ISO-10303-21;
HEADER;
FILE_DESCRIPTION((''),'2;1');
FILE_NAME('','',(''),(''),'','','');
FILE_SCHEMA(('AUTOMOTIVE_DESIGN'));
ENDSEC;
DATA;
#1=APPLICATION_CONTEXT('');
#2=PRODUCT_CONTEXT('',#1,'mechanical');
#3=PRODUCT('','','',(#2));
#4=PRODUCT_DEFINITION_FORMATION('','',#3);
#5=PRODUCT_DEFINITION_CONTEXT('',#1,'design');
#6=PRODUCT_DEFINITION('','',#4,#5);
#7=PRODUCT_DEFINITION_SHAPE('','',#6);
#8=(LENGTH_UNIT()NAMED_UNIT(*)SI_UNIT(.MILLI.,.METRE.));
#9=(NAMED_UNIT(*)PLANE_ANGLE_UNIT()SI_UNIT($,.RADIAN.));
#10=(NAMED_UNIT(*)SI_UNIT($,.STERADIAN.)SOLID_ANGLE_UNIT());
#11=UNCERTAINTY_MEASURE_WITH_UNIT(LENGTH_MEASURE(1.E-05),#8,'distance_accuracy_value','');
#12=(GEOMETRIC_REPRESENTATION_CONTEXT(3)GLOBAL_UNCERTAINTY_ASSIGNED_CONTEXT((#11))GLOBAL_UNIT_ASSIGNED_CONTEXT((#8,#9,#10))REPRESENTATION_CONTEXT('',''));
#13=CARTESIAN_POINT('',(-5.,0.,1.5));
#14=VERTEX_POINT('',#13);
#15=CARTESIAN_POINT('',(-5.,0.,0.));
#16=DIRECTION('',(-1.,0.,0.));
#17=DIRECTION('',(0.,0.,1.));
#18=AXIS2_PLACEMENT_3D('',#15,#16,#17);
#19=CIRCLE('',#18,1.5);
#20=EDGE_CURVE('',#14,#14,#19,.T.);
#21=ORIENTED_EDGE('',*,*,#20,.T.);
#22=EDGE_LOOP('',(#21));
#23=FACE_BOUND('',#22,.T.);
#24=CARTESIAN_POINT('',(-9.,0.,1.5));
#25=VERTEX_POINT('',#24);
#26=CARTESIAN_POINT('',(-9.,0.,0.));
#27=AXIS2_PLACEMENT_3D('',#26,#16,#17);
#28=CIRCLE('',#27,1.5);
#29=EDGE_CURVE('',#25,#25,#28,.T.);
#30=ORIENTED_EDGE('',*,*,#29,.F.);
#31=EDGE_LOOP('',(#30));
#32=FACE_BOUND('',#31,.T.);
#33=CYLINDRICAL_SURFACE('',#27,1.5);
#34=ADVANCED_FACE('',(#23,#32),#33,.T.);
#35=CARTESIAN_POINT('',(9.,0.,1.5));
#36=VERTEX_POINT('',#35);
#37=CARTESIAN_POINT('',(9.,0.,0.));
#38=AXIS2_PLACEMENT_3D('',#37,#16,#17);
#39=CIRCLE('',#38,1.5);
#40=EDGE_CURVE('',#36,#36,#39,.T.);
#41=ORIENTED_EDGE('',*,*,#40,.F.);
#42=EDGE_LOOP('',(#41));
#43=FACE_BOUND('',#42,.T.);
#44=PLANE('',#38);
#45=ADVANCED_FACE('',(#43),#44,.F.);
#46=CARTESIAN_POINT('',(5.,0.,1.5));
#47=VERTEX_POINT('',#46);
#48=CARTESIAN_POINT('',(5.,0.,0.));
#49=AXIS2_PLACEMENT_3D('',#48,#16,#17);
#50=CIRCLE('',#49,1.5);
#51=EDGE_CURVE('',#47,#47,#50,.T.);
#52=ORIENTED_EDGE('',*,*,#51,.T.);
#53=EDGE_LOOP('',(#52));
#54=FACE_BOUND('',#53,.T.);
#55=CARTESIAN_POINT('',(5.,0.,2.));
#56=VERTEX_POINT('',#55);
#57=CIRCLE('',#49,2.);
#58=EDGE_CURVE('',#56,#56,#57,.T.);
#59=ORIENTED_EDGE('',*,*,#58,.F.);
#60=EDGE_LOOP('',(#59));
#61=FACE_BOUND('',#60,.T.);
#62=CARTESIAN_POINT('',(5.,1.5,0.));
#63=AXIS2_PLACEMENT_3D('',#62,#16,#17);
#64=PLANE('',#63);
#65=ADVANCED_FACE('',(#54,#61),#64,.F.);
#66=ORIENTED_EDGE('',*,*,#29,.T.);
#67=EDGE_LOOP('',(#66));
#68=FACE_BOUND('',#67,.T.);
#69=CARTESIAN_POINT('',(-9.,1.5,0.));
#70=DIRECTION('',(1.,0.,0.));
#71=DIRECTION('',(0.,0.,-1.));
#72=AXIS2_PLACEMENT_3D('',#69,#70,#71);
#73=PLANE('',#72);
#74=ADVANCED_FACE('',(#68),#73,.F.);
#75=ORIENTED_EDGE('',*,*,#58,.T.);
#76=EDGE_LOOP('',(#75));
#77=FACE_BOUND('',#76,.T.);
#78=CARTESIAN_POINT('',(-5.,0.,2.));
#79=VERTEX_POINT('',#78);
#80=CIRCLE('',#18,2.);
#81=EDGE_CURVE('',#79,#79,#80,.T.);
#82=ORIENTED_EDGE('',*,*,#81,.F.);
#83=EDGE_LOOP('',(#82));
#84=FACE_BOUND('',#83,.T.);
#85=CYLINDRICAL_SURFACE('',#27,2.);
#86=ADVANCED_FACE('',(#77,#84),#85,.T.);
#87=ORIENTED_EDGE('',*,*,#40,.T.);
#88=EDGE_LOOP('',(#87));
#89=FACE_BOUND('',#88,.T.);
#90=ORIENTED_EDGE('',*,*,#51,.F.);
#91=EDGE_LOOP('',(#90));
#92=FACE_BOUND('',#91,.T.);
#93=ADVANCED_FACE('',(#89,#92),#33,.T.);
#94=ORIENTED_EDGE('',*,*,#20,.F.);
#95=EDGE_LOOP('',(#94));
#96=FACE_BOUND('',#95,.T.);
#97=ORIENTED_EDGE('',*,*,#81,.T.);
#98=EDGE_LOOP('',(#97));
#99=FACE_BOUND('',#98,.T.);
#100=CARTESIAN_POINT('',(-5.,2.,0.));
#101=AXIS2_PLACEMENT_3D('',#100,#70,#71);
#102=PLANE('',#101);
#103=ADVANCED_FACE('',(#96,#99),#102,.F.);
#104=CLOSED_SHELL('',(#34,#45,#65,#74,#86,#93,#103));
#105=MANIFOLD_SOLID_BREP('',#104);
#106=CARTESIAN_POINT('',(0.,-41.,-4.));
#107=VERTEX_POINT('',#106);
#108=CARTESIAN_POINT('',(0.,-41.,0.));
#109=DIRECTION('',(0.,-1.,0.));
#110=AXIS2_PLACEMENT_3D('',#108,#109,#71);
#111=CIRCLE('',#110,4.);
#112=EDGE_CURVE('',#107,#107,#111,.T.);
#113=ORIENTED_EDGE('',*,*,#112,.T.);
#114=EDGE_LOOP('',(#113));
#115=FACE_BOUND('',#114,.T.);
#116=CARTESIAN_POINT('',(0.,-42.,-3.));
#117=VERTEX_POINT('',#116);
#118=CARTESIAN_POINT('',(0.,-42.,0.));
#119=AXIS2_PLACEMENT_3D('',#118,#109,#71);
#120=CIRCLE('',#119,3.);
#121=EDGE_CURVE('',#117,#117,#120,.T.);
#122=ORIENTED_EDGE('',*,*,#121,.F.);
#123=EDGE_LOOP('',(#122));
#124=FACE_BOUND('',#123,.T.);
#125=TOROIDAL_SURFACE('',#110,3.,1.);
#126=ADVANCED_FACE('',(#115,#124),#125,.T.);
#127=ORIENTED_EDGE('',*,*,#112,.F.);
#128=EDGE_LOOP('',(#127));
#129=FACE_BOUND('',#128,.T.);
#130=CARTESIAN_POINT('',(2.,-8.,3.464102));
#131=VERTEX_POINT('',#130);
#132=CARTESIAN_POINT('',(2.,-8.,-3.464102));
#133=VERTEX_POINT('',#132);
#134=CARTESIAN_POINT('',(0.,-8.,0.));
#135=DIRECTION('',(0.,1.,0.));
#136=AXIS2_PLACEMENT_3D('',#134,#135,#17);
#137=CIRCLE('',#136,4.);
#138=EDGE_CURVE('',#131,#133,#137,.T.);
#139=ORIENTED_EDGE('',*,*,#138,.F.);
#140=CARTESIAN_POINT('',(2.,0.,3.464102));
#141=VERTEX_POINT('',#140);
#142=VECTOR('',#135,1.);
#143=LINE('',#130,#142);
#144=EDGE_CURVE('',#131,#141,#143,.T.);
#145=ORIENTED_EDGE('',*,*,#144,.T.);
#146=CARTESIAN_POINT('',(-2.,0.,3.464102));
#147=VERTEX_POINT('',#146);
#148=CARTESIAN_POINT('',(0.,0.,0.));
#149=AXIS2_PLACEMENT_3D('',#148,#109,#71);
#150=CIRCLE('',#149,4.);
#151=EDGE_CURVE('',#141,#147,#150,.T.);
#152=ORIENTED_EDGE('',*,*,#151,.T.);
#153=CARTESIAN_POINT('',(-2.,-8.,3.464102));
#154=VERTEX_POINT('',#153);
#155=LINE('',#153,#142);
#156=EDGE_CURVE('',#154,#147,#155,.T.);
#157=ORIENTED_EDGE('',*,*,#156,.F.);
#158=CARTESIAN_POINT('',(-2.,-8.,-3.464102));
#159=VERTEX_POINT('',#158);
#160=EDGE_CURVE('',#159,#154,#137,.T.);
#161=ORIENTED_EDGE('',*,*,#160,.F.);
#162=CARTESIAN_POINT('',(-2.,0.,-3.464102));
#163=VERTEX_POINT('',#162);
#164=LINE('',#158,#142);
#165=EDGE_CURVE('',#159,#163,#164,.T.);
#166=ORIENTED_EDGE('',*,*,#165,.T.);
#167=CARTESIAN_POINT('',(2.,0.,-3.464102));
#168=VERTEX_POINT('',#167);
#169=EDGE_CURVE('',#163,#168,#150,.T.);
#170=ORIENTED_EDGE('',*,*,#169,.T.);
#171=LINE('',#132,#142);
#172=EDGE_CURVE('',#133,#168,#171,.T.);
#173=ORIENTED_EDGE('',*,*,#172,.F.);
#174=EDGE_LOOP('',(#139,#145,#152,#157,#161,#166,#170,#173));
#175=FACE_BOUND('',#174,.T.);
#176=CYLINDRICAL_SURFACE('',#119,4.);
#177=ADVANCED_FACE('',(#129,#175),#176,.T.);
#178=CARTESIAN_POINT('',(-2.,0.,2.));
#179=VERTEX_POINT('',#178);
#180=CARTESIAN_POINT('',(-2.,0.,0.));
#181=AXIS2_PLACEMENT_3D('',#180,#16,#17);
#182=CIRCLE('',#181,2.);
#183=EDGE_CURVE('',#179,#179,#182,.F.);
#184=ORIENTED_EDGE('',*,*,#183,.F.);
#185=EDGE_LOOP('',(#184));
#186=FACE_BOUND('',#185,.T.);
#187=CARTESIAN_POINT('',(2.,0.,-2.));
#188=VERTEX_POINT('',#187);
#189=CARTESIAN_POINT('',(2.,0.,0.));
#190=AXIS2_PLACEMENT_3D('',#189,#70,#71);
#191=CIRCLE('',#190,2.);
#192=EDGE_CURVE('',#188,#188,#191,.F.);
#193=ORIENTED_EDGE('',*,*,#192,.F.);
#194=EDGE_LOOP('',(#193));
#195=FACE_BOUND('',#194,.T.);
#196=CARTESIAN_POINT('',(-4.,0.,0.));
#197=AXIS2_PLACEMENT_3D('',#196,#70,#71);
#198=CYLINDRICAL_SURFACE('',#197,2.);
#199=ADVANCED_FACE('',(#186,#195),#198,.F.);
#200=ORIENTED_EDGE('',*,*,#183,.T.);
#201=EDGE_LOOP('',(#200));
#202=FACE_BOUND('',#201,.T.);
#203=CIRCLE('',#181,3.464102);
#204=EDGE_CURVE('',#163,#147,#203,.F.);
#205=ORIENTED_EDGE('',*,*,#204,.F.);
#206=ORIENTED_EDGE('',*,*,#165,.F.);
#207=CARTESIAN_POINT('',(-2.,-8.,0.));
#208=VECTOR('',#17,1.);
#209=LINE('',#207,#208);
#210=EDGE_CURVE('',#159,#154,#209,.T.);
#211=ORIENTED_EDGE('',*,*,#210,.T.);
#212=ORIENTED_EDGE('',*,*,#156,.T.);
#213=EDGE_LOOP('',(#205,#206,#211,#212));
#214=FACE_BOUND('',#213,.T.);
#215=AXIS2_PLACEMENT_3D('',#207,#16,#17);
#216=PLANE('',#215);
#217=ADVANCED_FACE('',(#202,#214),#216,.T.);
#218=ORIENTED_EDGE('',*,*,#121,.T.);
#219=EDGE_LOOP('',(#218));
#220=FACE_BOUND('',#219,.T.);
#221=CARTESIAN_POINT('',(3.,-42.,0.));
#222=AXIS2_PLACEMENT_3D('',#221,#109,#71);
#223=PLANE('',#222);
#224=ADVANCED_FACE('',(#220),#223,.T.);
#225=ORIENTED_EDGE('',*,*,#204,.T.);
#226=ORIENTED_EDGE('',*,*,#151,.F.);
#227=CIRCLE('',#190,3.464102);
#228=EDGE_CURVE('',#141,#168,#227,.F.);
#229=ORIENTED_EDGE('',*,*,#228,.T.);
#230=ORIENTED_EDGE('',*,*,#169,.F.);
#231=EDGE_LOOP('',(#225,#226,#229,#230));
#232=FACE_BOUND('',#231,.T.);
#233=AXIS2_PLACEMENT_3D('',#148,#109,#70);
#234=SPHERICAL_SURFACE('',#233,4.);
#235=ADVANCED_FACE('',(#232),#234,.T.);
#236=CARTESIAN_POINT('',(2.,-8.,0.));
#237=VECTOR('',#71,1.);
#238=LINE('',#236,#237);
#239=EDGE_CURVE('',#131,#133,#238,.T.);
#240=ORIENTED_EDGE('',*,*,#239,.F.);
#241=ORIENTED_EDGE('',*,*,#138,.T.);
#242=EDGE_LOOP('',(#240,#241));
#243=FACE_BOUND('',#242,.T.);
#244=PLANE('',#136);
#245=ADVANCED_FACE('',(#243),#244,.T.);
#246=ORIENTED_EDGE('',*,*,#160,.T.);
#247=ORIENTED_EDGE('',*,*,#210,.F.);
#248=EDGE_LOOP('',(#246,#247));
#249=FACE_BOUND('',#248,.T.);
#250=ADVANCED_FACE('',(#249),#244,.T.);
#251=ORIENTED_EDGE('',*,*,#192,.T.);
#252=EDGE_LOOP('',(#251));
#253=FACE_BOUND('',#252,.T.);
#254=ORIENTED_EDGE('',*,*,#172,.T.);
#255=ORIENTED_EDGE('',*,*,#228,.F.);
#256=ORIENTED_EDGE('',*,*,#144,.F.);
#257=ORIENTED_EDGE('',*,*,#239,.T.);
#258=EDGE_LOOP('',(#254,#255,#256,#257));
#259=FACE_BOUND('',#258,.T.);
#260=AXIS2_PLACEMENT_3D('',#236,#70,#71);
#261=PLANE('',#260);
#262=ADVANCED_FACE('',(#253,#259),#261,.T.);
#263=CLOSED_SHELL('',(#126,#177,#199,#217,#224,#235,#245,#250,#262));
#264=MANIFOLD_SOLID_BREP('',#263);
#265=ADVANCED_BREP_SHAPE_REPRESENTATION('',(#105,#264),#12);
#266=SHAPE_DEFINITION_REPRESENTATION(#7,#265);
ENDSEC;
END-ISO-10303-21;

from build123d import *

# Parameters (mm, degrees)
CUT_EXTRUDE1_DEPTH      = 43.3792403
CUT_EXTRUDE1_DEPTH_BACK = 43.3792403
SKETCH3_R               = 2
CUT_EXTRUDE3_START      = -8
CUT_EXTRUDE3_DEPTH      = 12


with BuildPart() as part:
    # Sketch2 → Revolve1 (revolve)
    with BuildSketch(Plane.XY, mode=Mode.PRIVATE) as revolve1_sk:
        with BuildLine():
            Line((4, 0), (4, -41))
            ThreePointArc((4, -41), (3.707106781, -41.707106781), (3, -42))
            Line((3, -42), (0, -42))
            Line((0, -42), (0, 4))
            ThreePointArc((0, 4), (2.828427125, 2.828427125), (4, 0))
        make_face()
    revolve(revolve1_sk.sketch.rotate(Axis((0, -42, 0), (0, 1, 0)), 90), axis=Axis((0, -42, 0), (0, 1, 0)))

    # Sketch3 → Cut-Extrude1 (cut, two sides: drawn at the far end of the back side and taken through both)
    with BuildSketch(Plane(origin=(0, 0, 0), x_dir=(0, 0, -1), z_dir=(1, 0, 0)).offset(-CUT_EXTRUDE1_DEPTH_BACK)):
        Circle(SKETCH3_R)
    extrude(amount=CUT_EXTRUDE1_DEPTH + CUT_EXTRUDE1_DEPTH_BACK, mode=Mode.SUBTRACT)

    # Sketch4 → Cut-Extrude3 (cut)
    with BuildSketch(Plane(origin=(0, 0, 0), x_dir=(1, 0, 0), z_dir=(0, 1, 0)).offset(CUT_EXTRUDE3_START)):
        with BuildLine():
            Line((2, -3.464101615), (2, 3.464101615))
            ThreePointArc((2, 3.464101615), (4, 0), (2, -3.464101615))
        make_face()
        with BuildLine():
            Line((-2, 3.464101615), (-2, -3.464101615))
            ThreePointArc((-2, -3.464101615), (-4, 0), (-2, 3.464101615))
        make_face()
    extrude(amount=CUT_EXTRUDE3_DEPTH, mode=Mode.SUBTRACT)


with BuildPart() as body_2:
    # Sketch5 → Revolve2 (revolve)
    with BuildSketch(Plane.XY, mode=Mode.PRIVATE) as revolve2_sk:
        Polygon((-9, 0), (9, 0), (9, 1.5), (5, 1.5), (5, 2), (-5, 2), (-5, 1.5), (-9, 1.5), align=None)
    revolve(revolve2_sk.sketch.rotate(Axis((-9, 0, 0), (1, 0, 0)), 90), axis=Axis((-9, 0, 0), (1, 0, 0)))


solid = Compound([part.part, body_2.part])
